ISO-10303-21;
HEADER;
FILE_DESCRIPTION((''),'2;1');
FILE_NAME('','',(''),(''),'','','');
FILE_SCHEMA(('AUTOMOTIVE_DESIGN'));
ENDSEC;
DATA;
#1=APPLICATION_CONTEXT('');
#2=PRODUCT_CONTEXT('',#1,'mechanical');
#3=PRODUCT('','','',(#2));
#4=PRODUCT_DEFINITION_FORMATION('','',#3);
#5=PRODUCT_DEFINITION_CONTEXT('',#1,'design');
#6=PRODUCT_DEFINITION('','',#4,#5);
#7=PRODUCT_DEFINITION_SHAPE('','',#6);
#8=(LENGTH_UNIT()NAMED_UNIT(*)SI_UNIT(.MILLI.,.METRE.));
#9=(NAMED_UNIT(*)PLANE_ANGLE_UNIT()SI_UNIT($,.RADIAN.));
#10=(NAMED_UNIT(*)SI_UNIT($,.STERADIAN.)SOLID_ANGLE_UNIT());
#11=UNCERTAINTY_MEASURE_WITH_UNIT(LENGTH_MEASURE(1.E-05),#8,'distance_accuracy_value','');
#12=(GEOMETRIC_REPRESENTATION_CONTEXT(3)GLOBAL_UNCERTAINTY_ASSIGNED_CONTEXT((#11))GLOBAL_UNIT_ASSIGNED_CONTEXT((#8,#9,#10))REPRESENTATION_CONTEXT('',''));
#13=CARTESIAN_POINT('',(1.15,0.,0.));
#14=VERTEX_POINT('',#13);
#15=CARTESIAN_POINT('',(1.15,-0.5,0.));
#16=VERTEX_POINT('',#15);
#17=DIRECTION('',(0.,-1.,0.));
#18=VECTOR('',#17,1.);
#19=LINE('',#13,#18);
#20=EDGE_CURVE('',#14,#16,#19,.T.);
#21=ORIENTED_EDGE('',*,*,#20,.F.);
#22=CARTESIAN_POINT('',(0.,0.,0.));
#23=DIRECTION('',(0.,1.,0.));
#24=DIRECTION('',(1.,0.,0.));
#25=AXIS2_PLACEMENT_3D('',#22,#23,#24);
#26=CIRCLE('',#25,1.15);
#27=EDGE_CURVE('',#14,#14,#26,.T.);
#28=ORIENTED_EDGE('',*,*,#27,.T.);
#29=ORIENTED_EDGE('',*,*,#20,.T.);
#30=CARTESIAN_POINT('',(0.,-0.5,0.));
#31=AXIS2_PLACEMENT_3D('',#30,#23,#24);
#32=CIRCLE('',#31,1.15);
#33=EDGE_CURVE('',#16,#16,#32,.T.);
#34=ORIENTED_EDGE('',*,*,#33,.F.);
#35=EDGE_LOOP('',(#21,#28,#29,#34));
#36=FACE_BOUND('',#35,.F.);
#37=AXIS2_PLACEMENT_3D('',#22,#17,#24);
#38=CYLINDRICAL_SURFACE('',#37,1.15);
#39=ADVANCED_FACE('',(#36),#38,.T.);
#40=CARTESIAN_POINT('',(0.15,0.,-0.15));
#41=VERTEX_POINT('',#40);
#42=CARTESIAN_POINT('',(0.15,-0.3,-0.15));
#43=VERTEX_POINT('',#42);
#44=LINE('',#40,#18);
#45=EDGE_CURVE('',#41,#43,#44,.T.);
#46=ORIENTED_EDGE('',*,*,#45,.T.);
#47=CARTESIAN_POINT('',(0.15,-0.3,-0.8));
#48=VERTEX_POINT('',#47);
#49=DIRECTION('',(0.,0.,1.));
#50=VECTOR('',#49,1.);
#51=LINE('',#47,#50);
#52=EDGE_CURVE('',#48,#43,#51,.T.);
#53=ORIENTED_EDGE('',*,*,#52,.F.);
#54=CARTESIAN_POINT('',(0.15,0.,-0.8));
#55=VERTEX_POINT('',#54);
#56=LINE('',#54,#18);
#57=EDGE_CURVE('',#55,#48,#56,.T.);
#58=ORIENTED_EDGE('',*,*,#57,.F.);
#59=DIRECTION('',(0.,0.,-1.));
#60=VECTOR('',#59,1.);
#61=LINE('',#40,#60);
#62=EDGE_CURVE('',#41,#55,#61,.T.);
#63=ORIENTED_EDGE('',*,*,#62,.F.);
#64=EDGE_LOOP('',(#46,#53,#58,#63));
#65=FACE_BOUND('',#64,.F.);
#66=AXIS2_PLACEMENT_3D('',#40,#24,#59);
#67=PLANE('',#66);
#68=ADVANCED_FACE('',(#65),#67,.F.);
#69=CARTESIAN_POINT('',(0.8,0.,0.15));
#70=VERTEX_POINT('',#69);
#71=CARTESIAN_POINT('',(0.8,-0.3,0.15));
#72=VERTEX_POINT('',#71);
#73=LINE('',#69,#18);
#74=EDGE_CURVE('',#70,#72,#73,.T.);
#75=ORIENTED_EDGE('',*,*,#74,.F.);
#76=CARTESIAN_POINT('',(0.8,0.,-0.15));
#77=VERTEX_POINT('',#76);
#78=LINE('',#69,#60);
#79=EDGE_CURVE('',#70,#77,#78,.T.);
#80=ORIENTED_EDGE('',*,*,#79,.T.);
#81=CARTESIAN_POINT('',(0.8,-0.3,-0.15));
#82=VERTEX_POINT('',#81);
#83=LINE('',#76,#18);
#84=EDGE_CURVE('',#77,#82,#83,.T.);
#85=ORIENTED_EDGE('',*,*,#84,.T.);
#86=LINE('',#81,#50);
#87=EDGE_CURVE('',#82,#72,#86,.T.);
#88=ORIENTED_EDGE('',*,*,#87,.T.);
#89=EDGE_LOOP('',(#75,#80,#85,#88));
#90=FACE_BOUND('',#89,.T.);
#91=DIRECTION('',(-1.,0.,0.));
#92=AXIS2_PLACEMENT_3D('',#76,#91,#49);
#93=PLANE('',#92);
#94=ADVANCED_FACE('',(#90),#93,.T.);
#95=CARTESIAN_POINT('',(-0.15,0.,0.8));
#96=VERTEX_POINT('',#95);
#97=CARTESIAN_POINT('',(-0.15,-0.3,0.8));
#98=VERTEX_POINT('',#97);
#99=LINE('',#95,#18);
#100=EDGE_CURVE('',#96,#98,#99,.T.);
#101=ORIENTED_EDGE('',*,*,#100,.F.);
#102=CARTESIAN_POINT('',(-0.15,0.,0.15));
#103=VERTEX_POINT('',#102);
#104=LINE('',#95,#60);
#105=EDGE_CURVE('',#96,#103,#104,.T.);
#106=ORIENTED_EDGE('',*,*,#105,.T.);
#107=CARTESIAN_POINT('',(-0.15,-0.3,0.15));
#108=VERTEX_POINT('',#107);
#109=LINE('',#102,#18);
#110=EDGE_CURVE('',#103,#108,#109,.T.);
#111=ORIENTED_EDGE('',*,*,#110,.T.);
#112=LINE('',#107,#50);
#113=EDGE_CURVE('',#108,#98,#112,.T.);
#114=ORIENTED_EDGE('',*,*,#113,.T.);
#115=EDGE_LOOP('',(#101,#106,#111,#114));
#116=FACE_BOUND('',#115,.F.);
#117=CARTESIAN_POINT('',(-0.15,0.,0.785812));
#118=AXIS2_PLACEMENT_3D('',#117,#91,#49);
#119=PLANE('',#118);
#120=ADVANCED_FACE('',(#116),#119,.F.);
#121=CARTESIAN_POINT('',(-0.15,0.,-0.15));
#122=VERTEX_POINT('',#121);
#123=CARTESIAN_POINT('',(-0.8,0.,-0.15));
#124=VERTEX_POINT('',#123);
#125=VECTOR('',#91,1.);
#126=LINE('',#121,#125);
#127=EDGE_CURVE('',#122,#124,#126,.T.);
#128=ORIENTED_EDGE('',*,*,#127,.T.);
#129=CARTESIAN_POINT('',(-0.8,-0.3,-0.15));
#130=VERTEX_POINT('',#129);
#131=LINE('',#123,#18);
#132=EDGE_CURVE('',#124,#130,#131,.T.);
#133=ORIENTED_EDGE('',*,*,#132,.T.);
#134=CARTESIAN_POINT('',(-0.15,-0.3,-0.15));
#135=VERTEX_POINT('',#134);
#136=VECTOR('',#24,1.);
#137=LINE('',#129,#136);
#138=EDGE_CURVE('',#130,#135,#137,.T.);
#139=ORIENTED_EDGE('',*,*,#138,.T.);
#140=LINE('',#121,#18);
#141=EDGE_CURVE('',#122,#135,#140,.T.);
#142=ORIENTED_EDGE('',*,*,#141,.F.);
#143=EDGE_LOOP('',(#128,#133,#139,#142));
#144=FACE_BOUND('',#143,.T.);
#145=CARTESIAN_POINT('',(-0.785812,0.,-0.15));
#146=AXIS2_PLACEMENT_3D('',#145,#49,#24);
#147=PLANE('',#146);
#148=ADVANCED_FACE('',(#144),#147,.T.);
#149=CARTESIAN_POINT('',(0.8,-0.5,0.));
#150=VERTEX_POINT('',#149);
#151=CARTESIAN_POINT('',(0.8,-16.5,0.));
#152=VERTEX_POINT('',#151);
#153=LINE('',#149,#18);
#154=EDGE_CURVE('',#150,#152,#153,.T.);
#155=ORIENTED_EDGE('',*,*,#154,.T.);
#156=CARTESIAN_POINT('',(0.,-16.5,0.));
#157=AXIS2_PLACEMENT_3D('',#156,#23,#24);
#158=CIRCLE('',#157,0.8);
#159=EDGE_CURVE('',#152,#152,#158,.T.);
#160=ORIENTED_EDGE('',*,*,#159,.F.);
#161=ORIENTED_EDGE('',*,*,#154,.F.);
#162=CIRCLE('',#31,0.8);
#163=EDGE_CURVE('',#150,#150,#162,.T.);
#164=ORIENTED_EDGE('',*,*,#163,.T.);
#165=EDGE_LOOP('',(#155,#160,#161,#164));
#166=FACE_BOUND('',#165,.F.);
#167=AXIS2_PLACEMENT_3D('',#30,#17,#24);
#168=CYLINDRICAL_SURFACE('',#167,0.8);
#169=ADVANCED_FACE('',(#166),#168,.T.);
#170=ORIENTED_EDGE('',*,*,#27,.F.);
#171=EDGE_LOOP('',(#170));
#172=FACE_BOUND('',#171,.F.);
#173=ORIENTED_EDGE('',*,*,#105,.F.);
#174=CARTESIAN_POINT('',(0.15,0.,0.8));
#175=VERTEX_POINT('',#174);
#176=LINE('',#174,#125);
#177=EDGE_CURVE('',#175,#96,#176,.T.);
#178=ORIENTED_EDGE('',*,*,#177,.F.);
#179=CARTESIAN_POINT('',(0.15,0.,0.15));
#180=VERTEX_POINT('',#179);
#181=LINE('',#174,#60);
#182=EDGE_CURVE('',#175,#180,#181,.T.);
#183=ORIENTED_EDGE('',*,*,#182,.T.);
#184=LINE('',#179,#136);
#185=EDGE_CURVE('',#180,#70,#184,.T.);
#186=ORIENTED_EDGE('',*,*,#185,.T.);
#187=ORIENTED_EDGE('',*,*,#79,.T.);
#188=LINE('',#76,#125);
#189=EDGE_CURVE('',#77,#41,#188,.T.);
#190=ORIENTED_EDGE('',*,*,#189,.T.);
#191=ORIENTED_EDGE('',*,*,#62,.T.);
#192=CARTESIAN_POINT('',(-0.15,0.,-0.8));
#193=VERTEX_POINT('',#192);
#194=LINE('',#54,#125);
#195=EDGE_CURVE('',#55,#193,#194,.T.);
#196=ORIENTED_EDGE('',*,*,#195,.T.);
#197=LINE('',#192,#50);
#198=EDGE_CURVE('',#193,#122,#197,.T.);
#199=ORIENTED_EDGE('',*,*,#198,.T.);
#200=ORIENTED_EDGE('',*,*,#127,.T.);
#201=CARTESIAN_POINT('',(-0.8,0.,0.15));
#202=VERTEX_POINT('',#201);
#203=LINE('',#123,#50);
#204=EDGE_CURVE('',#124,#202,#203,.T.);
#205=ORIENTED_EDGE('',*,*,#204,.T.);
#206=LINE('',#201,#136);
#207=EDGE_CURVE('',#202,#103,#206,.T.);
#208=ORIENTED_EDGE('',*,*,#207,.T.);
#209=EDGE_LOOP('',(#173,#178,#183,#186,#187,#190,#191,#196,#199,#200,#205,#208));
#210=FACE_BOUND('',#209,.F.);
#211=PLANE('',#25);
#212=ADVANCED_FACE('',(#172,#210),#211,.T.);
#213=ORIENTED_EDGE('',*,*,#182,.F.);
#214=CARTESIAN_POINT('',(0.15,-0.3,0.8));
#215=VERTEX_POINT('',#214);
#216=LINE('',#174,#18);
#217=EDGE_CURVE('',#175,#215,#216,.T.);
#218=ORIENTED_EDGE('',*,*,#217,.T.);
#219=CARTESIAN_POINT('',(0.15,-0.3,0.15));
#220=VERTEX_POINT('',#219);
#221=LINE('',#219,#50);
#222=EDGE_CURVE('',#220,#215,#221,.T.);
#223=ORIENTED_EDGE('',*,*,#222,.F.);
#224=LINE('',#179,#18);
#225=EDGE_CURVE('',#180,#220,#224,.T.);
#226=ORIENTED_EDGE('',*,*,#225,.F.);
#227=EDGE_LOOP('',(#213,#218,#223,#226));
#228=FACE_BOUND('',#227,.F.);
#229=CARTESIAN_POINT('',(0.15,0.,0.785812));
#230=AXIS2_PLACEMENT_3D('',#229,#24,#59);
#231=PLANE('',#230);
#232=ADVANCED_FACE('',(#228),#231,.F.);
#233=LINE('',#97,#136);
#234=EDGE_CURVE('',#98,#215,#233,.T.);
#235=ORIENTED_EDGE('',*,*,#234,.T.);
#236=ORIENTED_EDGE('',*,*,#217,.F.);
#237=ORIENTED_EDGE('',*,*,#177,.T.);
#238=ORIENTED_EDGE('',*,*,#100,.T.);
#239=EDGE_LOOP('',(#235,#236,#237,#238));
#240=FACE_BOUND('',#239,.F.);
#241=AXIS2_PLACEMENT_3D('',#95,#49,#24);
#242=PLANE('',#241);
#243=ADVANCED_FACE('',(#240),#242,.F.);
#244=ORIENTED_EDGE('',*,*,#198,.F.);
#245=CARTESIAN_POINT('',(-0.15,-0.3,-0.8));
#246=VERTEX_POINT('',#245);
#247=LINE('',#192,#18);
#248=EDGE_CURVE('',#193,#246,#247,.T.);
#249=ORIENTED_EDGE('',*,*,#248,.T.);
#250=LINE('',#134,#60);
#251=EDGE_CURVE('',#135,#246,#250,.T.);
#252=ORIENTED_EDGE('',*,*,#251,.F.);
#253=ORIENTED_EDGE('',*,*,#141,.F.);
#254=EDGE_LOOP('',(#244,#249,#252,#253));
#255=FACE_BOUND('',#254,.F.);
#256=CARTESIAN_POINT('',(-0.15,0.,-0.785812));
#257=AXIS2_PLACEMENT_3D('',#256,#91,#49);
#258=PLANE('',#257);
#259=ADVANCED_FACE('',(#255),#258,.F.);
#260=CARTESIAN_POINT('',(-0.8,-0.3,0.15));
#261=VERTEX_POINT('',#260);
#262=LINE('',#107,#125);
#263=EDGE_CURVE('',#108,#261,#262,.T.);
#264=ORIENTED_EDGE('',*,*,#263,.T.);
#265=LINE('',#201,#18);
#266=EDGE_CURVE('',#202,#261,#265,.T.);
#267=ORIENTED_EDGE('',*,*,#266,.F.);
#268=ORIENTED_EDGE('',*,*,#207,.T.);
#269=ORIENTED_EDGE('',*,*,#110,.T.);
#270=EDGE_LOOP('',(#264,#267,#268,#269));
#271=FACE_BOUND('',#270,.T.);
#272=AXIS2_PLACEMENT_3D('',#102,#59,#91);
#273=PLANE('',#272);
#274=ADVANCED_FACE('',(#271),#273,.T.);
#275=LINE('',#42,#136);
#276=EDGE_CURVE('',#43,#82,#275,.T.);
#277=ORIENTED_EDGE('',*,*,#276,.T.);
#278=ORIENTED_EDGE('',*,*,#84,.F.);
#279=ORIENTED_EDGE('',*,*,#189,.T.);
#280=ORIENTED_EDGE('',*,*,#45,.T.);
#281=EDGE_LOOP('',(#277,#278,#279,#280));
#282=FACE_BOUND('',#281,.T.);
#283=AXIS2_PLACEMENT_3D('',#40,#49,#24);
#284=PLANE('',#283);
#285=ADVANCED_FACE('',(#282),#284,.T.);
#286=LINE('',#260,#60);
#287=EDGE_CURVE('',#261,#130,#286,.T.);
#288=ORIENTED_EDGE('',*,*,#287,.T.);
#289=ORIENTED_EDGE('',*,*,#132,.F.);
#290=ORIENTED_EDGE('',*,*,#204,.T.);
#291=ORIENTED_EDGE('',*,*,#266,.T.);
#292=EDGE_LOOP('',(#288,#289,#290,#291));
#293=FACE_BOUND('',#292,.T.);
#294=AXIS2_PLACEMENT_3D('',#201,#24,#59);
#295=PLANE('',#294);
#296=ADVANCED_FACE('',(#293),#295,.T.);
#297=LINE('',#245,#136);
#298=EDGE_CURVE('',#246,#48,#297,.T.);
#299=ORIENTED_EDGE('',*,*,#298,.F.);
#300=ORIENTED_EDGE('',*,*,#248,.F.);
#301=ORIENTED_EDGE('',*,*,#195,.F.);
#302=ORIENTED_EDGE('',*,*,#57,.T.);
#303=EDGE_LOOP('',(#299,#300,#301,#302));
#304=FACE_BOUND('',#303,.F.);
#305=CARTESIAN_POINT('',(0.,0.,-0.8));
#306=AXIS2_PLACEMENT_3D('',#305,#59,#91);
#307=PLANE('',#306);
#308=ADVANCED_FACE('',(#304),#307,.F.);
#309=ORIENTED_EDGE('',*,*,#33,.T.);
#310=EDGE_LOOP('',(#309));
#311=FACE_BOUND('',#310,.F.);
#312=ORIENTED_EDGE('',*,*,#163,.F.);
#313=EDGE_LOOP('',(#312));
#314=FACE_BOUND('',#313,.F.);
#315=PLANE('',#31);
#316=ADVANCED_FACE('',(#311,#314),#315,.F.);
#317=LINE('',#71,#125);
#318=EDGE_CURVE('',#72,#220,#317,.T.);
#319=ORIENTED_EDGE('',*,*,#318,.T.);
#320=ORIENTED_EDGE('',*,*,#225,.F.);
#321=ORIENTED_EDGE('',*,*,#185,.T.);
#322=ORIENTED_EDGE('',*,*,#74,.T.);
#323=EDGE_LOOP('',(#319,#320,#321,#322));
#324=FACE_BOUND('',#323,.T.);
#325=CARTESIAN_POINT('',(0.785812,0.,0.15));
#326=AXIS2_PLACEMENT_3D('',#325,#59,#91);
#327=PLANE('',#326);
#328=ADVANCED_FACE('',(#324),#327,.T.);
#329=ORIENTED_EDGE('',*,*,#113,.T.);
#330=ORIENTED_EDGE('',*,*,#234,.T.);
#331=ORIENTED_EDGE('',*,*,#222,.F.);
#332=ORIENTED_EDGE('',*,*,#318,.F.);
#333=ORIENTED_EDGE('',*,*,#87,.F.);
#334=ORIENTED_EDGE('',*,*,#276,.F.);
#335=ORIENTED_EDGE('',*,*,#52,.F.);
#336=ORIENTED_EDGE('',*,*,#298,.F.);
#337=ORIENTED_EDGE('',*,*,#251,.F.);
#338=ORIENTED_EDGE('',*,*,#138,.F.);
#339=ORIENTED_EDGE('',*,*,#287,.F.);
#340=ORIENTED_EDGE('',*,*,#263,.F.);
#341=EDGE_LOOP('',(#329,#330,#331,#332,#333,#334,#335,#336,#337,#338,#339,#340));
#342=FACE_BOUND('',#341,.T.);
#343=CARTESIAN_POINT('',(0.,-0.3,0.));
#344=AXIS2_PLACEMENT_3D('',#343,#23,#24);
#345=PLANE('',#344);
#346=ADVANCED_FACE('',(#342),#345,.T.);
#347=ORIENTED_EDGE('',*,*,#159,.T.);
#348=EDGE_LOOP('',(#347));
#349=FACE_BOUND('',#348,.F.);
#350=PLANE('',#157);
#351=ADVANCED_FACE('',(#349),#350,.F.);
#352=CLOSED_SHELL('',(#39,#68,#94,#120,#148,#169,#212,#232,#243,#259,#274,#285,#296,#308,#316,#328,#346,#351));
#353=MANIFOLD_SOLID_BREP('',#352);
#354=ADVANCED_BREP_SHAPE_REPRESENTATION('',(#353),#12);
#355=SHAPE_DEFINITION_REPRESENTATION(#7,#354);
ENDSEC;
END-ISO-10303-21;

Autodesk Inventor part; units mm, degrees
ref_plane "YZ Plane" through (0, 0, 0) normal (1, 0, 0) x (0, 1, 0)
ref_plane "XZ Plane" through (0, 0, 0) normal (0, 1, 0) x (-1, 0, 0)
ref_plane "XY Plane" through (0, 0, 0) normal (0, 0, 1) x (1, 0, 0)
sketch "스케치3" plane through (0, 0, 0) normal (0, 0, 1) x (1, 0, 0)
  line L0 (0, 0) -> (1.15, 0)
  line L1 (1.15, 0) -> (1.15, -0.5)
  line L2 (1.15, -0.5) -> (0.8, -0.5)
  line L3 (0.8, -0.5) -> (0.8, -16.5)
  line L4 (0.8, -16.5) -> (0, -16.5)
  line L5 (0, -16.5) -> (0, 0)
  dimension "d13" = 1.15
  dimension "d14" = 0.5
  dimension "d15" = 16
  dimension "d16" = 0.8
revolve "회전2" add sketch "스케치3" angle 360 about axis through (0, -16.5, 0) along (0, 1, 0)
thread "스레드2" size "M1.6x0.35" class "6g" standard "ISO Metric profile" full length
sketch "스케치4" plane through (0, 0, 0) normal (0, 1, 0) x (1, 0, 0)
  line L0 (-0.15, -0.8) -> (0.15, -0.8)
  line L1 (0.15, -0.8) -> (0.15, 0.8)
  line L2 (0.15, 0.8) -> (-0.15, 0.8)
  line L3 (-0.15, 0.8) -> (-0.15, -0.8)
  line L4 (-0.15, -0.8) -> (0.15, 0.8) construction
  line L5 (0.15, -0.8) -> (-0.15, 0.8) construction
  line L6 (0.8, -0.15) -> (-0.8, -0.15)
  line L7 (-0.8, -0.15) -> (-0.8, 0.15)
  line L8 (-0.8, 0.15) -> (0.8, 0.15)
  line L9 (0.8, 0.15) -> (0.8, -0.15)
  circle A0 centre (0, 0) radius 0.8 projected
  line L10 (0.8, -0.15) -> (-0.8, 0.15) construction
  line L11 (-0.8, -0.15) -> (0.8, 0.15) construction
  dimension "d21" = 0.3
  dimension "d22" = 1.6
  dimension "d23" = 1.6
  dimension "d24" = 0.3
extrude "돌출2" cut sketch "스케치4" against normal blind 0.3 contours L3 A0 L0 | A0 L1 L0 | A0 L3 L6 L1 | L6 A0 L8 L3 | L3 L8 L1 L6 | L6 L7 A0 | L1 L8 A0 L6 | A0 L9 L6 | L3 A0 L1 L8 | L7 L8 A0 | A0 L8 L9 | L3 L2 A0 | A0 L2 L1
properties part number "Screw"
